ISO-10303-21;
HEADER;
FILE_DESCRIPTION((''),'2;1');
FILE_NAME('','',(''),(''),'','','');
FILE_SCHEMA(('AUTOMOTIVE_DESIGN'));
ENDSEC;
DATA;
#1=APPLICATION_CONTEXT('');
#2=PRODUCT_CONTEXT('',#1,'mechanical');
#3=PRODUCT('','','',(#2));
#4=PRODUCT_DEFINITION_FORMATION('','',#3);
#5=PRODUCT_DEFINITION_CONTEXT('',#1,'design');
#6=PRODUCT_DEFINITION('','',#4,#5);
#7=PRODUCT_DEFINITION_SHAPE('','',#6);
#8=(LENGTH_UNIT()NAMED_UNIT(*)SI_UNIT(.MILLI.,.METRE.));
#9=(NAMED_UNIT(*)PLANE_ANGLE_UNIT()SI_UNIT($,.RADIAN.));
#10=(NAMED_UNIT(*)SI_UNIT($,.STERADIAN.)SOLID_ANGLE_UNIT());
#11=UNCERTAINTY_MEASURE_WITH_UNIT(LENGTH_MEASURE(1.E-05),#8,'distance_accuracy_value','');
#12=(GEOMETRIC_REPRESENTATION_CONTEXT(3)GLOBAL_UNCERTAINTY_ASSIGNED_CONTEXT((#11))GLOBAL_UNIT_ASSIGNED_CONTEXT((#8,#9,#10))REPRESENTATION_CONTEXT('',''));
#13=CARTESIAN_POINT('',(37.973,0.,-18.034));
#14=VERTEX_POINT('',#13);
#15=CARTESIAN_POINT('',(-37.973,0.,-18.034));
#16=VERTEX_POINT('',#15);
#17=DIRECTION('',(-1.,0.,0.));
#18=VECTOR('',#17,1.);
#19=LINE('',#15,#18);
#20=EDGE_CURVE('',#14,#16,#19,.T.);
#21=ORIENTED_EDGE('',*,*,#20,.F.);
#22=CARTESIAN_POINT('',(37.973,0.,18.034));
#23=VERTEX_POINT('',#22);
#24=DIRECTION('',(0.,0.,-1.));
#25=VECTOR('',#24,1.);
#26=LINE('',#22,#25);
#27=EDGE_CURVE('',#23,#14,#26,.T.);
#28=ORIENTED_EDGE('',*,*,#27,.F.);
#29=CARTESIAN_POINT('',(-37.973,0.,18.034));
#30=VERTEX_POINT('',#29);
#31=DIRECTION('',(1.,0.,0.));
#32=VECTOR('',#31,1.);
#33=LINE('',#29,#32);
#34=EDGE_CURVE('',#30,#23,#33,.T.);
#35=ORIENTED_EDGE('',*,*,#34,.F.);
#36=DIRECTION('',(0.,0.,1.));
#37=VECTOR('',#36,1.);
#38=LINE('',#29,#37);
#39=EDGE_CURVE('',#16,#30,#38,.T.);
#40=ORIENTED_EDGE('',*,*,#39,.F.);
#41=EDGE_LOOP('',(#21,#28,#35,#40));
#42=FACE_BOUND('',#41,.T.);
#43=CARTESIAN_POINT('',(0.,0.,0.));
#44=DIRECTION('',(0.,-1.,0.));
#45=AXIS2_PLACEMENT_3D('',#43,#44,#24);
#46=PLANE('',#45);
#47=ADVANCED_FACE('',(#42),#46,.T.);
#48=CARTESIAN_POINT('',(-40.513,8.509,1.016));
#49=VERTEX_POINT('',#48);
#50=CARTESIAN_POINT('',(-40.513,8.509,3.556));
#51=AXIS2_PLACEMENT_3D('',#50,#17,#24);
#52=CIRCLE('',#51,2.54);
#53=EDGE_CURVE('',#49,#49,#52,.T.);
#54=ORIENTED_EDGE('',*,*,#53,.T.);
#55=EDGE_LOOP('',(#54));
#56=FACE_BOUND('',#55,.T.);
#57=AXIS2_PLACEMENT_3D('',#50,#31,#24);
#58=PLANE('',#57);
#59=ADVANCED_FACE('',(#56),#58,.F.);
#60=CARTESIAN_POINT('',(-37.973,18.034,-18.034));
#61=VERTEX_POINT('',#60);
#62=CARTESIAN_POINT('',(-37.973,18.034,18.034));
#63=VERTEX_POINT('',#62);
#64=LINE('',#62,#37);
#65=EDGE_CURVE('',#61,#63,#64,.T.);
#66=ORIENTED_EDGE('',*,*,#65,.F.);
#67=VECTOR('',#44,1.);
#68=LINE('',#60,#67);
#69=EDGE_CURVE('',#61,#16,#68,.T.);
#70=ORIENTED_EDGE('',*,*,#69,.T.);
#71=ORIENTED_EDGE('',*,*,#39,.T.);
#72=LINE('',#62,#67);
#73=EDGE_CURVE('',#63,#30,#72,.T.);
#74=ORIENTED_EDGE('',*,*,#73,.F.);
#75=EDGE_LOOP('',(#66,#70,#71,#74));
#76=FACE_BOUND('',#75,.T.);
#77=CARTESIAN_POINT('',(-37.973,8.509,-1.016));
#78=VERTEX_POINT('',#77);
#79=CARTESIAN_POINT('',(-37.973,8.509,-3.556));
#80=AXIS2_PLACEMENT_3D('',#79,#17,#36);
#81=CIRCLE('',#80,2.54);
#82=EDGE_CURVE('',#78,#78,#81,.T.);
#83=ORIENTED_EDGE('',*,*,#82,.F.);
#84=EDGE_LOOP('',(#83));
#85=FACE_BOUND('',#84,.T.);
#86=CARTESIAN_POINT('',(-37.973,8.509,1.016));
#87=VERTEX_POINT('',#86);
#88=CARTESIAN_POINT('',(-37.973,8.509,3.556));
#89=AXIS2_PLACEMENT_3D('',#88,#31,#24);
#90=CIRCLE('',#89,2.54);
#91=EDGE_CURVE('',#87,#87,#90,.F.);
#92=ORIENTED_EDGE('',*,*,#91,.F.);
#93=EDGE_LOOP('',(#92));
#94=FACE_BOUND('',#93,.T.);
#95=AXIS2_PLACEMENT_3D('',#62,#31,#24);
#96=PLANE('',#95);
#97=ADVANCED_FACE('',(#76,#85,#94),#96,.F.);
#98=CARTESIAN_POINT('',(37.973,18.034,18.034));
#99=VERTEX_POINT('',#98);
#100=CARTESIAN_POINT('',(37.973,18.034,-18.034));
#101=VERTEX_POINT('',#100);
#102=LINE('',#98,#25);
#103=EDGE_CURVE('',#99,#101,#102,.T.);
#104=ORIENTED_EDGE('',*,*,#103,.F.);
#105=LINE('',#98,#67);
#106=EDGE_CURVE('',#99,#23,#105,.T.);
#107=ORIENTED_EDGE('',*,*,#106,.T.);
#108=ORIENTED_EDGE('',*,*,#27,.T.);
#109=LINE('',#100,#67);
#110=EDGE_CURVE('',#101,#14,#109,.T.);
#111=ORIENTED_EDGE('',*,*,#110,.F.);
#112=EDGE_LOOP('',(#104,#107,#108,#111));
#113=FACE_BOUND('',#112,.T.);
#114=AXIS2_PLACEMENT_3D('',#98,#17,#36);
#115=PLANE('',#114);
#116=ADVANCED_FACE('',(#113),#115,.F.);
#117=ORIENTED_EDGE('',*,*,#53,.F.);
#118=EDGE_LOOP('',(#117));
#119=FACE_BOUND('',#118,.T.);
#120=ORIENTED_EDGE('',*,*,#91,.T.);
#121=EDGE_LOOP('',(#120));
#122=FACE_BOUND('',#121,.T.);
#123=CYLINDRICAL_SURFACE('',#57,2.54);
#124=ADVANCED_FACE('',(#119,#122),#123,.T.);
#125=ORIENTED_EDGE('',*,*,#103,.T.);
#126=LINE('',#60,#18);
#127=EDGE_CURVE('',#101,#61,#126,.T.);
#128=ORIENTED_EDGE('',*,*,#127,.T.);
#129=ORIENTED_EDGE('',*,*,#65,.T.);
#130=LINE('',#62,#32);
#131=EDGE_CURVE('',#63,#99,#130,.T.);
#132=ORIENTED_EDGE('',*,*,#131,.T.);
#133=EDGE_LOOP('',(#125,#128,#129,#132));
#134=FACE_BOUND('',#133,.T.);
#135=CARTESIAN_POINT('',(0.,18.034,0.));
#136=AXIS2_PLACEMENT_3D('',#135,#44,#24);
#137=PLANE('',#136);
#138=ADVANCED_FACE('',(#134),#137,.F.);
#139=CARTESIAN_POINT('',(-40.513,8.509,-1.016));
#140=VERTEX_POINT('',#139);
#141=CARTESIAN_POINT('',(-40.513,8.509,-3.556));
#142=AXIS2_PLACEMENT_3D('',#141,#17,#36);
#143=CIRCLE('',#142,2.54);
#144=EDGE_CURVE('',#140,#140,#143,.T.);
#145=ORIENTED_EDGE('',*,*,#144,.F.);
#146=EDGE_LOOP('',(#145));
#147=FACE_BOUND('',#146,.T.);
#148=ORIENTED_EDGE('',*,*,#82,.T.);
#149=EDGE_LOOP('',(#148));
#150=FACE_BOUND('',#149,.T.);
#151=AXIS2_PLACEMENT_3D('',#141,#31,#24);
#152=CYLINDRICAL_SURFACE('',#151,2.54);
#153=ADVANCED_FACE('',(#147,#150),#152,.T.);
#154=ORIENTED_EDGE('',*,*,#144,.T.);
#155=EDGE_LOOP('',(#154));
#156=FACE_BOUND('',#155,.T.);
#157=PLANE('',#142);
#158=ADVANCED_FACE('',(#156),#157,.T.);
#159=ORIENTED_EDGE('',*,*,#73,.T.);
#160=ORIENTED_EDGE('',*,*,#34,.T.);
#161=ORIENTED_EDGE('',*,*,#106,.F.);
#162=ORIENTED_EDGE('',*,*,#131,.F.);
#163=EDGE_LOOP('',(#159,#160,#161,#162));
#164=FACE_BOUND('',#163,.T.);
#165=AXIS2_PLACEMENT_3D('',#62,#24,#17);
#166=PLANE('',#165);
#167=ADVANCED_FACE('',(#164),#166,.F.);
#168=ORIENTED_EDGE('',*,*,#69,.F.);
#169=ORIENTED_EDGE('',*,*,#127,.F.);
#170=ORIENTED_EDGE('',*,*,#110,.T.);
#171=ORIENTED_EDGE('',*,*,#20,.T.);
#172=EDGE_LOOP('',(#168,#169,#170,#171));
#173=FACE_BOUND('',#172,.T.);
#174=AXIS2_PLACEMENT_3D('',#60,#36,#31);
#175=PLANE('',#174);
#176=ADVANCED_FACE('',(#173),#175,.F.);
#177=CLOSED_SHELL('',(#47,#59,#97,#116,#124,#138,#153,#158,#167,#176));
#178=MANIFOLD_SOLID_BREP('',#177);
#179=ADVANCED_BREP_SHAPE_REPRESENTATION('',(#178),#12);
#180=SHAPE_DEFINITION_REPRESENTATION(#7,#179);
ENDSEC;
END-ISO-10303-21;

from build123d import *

# Parameters (mm, degrees)
SKETCH1_W           = 75.946
SKETCH1_H           = 36.068
BOSS_EXTRUDE1_DEPTH = 18.034
SKETCH2_R           = 2.54
BOSS_EXTRUDE2_DEPTH = 2.54


with BuildPart() as part:
    # Sketch1 → Boss-Extrude1 (new body)
    with BuildSketch(Plane(origin=(0, 0, 0), x_dir=(1, 0, 0), z_dir=(0, 1, 0))):
        Rectangle(SKETCH1_W, SKETCH1_H)
    extrude(amount=BOSS_EXTRUDE1_DEPTH)

    # Sketch2 → Boss-Extrude2 (add)
    with BuildSketch(Plane.ZY.offset(37.973)):
        with Locations((-3.556, 8.509)):
            Circle(SKETCH2_R)
        with Locations(Location((3.556, 8.509, 0), (0, 0, 180))):
            Circle(SKETCH2_R)
    extrude(amount=BOSS_EXTRUDE2_DEPTH)


solid = part.part
